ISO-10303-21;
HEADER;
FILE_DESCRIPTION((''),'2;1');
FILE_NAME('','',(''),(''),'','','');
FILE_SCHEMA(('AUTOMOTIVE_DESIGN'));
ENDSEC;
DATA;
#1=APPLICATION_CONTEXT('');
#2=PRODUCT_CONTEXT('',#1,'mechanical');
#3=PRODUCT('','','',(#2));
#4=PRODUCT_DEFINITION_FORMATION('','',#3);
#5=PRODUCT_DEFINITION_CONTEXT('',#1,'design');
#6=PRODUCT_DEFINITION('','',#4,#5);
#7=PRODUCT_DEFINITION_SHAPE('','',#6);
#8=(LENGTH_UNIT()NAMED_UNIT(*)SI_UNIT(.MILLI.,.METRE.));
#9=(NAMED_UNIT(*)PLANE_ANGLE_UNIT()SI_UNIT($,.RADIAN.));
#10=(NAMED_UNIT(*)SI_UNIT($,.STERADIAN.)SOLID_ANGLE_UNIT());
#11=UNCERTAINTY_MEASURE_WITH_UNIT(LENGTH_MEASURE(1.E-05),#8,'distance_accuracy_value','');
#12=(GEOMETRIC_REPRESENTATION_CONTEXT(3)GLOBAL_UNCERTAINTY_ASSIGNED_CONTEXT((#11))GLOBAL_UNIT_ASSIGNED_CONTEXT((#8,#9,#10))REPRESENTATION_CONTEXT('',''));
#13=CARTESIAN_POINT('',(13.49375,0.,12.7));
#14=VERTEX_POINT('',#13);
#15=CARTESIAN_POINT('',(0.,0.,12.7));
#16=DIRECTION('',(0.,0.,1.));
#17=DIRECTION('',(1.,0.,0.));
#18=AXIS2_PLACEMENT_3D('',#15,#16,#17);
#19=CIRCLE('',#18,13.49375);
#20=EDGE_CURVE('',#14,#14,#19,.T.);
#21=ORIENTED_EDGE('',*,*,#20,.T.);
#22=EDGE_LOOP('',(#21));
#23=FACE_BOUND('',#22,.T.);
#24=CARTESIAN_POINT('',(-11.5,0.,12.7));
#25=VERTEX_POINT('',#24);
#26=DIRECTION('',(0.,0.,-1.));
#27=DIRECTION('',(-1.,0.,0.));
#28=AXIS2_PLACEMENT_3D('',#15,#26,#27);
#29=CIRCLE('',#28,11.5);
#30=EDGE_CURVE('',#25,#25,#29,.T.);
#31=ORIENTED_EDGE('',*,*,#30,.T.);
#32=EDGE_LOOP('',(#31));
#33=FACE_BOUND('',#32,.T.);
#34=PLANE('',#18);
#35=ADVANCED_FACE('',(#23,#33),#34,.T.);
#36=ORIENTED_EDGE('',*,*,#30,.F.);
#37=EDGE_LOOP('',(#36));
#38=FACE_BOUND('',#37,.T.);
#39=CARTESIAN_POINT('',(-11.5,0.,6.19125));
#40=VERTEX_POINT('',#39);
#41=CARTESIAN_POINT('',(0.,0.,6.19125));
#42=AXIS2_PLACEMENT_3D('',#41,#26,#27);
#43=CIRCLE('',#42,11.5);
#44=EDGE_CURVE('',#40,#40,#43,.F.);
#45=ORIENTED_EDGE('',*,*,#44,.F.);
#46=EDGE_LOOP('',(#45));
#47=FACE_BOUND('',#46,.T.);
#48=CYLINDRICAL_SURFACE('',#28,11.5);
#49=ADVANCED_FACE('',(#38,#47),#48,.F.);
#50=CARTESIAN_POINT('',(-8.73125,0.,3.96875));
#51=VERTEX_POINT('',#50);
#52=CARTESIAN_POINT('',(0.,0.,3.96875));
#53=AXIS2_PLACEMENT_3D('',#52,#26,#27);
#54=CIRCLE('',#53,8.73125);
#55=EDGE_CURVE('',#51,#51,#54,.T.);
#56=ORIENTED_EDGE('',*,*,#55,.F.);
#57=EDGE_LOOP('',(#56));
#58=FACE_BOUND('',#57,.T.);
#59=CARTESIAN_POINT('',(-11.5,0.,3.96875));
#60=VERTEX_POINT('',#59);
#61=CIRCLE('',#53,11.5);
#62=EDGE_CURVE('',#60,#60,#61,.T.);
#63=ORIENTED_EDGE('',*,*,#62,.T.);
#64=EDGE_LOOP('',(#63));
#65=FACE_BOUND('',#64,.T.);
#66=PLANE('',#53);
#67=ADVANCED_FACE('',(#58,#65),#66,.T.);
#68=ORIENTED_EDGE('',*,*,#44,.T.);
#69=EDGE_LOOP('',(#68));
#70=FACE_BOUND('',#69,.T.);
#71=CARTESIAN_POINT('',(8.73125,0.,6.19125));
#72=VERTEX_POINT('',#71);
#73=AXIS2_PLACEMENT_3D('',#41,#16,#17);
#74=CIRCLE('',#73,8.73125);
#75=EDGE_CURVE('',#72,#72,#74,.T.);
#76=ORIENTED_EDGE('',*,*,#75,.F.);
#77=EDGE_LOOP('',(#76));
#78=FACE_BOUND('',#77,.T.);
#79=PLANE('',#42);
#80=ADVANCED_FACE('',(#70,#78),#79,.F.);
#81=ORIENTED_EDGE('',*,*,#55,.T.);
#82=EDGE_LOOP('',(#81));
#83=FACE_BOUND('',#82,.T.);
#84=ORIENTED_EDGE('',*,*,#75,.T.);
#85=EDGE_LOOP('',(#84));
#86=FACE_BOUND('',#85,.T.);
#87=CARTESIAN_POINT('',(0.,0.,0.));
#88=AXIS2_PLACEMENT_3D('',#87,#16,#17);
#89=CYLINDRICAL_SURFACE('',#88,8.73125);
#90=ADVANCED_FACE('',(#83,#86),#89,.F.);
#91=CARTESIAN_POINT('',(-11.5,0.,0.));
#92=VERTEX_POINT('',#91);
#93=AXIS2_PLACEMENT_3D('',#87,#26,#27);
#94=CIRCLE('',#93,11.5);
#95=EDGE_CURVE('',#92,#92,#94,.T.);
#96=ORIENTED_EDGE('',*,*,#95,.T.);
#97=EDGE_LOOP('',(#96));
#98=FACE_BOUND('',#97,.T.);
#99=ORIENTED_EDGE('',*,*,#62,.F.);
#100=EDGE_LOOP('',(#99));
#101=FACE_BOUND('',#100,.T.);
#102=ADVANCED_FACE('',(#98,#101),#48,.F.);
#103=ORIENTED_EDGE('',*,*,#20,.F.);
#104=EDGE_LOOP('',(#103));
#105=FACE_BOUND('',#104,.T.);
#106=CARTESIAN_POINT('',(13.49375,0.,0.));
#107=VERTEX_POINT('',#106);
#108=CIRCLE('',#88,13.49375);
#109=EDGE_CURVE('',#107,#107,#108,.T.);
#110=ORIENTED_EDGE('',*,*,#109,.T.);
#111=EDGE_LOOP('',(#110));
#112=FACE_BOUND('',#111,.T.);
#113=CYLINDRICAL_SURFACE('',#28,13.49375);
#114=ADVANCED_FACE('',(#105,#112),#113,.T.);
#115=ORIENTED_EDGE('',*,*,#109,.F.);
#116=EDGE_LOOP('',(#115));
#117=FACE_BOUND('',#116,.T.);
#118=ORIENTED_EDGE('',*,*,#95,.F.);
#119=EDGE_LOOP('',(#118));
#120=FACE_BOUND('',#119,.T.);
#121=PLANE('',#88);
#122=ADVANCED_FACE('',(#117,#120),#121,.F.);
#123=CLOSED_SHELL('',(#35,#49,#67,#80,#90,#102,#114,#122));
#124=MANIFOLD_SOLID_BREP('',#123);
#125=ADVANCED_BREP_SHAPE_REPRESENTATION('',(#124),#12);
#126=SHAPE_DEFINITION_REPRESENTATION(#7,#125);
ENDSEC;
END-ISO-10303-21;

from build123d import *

# Parameters (mm, degrees)
SKETCH1_R           = 13.49375
BOSS_EXTRUDE1_DEPTH = 12.7
SKETCH3_R           = 11.5
CUT_EXTRUDE2_DEPTH  = 23.922752412
SKETCH4_R           = 11.5
BOSS_EXTRUDE2_DEPTH = 2.2225
SKETCH5_R           = 8.73125
CUT_EXTRUDE3_DEPTH  = 21.162499961


with BuildPart() as part:
    # Sketch1 → Boss-Extrude1 (new body)
    with BuildSketch(Plane.XY):
        Circle(SKETCH1_R)
    extrude(amount=BOSS_EXTRUDE1_DEPTH)

    # Sketch3 → Cut-Extrude2 (cut, through all)
    with BuildSketch(Plane(origin=(0, 0, 0), x_dir=(-1, 0, 0), z_dir=(0, 0, -1))):
        Circle(SKETCH3_R)
    extrude(amount=-CUT_EXTRUDE2_DEPTH, mode=Mode.SUBTRACT)

    # Sketch4 → Boss-Extrude2 (add)
    with BuildSketch(Plane(origin=(0, 0, 3.96875), x_dir=(-1, 0, 0), z_dir=(0, 0, -1))):
        Circle(SKETCH4_R)
    extrude(amount=-BOSS_EXTRUDE2_DEPTH)

    # Sketch5 → Cut-Extrude3 (cut, through all)
    with BuildSketch(Plane.XY.offset(6.19125)):
        Circle(SKETCH5_R)
    extrude(amount=-CUT_EXTRUDE3_DEPTH, mode=Mode.SUBTRACT)


solid = part.part
